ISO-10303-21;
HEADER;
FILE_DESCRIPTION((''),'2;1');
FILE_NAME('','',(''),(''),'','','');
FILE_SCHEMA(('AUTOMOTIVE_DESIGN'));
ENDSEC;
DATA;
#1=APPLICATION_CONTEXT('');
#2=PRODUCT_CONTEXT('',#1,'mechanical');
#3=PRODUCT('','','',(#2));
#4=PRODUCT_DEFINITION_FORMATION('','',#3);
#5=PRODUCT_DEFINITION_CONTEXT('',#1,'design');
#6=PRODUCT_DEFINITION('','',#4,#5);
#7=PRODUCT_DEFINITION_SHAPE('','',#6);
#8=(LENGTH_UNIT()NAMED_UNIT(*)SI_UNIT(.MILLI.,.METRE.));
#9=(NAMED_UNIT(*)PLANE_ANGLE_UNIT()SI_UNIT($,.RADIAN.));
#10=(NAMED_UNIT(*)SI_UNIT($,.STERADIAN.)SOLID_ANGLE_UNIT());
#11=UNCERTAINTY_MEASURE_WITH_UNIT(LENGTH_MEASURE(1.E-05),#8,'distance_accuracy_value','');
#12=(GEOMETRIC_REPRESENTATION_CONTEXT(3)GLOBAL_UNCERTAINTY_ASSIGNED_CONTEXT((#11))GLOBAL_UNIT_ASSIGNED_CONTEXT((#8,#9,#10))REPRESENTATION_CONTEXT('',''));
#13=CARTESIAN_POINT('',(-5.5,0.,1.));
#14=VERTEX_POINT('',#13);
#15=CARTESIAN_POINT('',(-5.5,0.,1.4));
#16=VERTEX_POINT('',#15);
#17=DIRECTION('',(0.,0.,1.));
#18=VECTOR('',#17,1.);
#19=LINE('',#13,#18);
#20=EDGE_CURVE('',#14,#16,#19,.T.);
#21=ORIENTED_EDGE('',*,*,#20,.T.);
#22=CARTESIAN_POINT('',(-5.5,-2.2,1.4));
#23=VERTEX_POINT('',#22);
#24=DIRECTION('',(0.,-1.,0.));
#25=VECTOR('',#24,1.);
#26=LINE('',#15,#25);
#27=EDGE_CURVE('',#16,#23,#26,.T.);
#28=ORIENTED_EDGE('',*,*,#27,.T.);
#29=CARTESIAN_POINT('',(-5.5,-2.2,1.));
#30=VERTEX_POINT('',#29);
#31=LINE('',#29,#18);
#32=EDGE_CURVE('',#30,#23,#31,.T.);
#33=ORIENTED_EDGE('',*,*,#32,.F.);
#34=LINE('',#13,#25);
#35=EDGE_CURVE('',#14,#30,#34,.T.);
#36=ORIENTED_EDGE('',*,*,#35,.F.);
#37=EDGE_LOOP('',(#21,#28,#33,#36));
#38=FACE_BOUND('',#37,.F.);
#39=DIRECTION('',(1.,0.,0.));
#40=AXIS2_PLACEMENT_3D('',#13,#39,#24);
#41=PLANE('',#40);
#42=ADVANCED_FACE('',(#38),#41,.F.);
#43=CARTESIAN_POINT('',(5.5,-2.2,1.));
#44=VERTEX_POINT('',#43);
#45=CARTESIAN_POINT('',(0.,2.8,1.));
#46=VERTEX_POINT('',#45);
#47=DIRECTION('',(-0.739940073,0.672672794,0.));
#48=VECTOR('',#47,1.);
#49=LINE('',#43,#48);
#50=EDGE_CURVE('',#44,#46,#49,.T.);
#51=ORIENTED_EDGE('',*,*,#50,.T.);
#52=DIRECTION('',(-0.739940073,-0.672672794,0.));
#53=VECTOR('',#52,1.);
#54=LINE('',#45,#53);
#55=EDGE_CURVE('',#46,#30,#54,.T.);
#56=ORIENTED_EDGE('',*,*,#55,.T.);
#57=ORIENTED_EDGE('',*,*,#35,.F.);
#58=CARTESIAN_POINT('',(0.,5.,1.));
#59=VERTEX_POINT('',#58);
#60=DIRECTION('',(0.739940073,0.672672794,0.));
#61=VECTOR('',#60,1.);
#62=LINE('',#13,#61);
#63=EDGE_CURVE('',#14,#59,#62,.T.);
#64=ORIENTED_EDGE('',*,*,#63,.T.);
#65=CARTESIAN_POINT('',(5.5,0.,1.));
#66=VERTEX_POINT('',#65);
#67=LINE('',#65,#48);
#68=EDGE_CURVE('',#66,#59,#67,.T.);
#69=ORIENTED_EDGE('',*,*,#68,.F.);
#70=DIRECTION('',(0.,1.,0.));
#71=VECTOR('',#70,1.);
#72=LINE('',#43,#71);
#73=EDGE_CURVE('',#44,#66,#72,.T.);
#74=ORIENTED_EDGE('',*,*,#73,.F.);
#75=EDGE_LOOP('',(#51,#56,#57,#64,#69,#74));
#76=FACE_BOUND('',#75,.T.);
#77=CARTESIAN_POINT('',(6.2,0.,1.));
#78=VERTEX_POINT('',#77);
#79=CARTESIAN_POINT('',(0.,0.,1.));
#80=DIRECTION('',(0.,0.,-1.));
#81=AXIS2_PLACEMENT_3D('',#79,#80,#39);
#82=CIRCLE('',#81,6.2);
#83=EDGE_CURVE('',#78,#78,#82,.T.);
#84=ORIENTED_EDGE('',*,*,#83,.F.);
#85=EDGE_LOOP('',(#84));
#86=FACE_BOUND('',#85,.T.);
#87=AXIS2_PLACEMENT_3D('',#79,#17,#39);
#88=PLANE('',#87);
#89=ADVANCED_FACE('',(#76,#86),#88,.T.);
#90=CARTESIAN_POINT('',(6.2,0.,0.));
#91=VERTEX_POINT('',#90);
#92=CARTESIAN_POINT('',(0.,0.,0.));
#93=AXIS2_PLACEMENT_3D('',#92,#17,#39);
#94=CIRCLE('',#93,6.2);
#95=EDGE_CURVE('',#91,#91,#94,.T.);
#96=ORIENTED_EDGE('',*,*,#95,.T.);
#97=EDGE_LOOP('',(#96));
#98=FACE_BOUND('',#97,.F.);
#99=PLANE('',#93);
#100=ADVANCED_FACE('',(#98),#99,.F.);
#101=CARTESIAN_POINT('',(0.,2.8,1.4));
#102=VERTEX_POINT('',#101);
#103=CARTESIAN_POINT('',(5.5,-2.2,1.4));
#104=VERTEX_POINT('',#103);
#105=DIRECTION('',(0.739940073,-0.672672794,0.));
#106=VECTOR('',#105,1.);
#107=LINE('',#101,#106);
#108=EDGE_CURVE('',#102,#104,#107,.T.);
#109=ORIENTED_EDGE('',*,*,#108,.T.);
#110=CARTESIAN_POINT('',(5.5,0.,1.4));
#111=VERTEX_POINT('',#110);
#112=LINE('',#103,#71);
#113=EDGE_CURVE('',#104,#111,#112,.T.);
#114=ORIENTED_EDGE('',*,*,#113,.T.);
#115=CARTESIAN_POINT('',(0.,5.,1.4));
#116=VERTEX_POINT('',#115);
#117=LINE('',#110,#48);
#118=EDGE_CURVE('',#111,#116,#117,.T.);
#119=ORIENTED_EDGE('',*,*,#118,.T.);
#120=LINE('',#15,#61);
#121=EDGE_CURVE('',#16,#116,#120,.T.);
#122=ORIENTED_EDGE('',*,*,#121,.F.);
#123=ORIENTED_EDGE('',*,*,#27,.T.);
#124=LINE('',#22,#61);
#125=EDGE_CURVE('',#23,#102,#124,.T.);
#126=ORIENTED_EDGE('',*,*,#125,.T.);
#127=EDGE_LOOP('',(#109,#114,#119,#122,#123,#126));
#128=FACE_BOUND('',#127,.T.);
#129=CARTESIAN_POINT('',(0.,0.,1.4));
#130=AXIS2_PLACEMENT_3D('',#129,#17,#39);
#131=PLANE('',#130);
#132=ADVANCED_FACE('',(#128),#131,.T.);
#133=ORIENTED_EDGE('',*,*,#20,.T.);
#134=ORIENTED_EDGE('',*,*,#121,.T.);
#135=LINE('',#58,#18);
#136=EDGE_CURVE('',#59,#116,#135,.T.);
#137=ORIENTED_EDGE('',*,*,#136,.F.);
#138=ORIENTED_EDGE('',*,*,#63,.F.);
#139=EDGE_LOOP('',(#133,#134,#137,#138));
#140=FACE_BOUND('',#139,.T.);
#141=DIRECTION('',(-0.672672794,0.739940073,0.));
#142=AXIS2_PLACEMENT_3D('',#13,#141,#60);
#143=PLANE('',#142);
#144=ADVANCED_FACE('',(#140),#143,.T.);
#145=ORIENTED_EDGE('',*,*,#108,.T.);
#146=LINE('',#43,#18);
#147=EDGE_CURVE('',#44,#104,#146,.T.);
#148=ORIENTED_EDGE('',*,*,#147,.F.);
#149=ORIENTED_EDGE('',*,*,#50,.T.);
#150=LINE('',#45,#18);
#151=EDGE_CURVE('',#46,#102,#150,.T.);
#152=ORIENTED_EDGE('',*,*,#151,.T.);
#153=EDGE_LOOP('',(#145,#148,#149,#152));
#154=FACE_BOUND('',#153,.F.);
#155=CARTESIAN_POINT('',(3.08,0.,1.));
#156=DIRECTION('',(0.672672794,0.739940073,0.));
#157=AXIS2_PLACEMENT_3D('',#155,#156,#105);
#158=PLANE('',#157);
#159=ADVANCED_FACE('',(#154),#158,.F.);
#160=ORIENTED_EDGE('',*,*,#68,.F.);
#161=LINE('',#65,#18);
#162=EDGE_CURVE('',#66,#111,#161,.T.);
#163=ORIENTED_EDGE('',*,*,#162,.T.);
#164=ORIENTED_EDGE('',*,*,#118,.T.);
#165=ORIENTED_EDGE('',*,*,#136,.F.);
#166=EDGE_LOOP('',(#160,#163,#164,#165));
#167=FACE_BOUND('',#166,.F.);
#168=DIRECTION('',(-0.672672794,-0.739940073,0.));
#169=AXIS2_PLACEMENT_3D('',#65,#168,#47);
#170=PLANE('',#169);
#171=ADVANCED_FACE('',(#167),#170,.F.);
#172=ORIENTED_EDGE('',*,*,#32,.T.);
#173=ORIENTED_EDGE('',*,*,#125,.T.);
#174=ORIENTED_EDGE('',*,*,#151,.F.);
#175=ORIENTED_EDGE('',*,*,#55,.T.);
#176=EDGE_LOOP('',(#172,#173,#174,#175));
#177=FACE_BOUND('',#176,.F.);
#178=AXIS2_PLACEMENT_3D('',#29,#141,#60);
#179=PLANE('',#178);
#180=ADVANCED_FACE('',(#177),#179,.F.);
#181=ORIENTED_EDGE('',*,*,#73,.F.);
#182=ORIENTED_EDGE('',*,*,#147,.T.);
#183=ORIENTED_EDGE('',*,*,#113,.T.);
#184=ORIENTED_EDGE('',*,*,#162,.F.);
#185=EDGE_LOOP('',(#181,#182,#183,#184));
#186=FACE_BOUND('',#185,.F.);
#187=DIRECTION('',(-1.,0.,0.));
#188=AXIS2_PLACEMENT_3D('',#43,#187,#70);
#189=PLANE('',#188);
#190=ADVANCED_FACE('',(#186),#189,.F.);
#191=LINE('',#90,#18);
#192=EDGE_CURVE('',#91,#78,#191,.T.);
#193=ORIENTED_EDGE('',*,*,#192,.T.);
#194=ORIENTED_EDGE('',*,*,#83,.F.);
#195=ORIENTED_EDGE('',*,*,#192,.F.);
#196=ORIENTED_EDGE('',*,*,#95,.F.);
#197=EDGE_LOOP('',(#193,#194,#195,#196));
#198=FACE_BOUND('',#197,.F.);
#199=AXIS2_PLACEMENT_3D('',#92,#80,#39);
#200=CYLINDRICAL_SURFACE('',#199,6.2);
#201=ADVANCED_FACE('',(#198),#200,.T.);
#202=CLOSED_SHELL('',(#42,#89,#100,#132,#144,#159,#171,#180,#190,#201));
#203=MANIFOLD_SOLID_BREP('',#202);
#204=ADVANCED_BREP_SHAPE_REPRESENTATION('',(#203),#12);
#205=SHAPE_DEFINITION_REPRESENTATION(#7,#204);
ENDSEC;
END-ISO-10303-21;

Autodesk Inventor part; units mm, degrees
ref_plane "YZ Plane" through (0, 0, 0) normal (1, 0, 0) x (0, 1, 0)
ref_plane "XZ Plane" through (0, 0, 0) normal (0, 1, 0) x (-1, 0, 0)
ref_plane "XY Plane" through (0, 0, 0) normal (0, 0, 1) x (1, 0, 0)
sketch "Náčrt1" plane through (0, 0, 0) normal (0, 0, 1) x (1, 0, 0)
  line L0 (0, 8.68) -> (0, -8.68) projected
  line L1 (-8.68, 0) -> (8.68, 0) projected
  circle A0 centre (0, 0) radius 6.2
  dimension "d0" = 12.4
extrude "Vysunutí1" add sketch "Náčrt1" along normal blind 1
sketch "Náčrt2" plane through (0, 0, 1) normal (0, 0, 1) x (1, 0, 0)
  line L0 (-8.68, 0) -> (8.68, 0) projected
  line L1 (0, 8.68) -> (0, -8.68) projected
  line L2 (-5.5, 0) -> (-5.5, -2.2)
  line L3 (-5.5, -2.2) -> (0, 2.8)
  line L4 (-5.5, 0) -> (0, 5)
  line L5 (5.5, 0) -> (0, 5)
  line L6 (0, 2.8) -> (5.5, -2.2)
  line L7 (5.5, -2.2) -> (5.5, 0)
  point P0 (0, 0)
  dimension "d3" = 2.2
  dimension "d4" = 2.2
  dimension "d5" = 5.5
  dimension "d6" = 5.5
  dimension "d7" = 5
  dimension "d8" = 2.2
extrude "Vysunutí2" add sketch "Náčrt2" along normal blind 0.4 contours L4 L1 L3 L0 | L0 L3 L2 | L5 L0 L6 L1 | L7 L6 L0
properties part number "button_plate_arrow"
